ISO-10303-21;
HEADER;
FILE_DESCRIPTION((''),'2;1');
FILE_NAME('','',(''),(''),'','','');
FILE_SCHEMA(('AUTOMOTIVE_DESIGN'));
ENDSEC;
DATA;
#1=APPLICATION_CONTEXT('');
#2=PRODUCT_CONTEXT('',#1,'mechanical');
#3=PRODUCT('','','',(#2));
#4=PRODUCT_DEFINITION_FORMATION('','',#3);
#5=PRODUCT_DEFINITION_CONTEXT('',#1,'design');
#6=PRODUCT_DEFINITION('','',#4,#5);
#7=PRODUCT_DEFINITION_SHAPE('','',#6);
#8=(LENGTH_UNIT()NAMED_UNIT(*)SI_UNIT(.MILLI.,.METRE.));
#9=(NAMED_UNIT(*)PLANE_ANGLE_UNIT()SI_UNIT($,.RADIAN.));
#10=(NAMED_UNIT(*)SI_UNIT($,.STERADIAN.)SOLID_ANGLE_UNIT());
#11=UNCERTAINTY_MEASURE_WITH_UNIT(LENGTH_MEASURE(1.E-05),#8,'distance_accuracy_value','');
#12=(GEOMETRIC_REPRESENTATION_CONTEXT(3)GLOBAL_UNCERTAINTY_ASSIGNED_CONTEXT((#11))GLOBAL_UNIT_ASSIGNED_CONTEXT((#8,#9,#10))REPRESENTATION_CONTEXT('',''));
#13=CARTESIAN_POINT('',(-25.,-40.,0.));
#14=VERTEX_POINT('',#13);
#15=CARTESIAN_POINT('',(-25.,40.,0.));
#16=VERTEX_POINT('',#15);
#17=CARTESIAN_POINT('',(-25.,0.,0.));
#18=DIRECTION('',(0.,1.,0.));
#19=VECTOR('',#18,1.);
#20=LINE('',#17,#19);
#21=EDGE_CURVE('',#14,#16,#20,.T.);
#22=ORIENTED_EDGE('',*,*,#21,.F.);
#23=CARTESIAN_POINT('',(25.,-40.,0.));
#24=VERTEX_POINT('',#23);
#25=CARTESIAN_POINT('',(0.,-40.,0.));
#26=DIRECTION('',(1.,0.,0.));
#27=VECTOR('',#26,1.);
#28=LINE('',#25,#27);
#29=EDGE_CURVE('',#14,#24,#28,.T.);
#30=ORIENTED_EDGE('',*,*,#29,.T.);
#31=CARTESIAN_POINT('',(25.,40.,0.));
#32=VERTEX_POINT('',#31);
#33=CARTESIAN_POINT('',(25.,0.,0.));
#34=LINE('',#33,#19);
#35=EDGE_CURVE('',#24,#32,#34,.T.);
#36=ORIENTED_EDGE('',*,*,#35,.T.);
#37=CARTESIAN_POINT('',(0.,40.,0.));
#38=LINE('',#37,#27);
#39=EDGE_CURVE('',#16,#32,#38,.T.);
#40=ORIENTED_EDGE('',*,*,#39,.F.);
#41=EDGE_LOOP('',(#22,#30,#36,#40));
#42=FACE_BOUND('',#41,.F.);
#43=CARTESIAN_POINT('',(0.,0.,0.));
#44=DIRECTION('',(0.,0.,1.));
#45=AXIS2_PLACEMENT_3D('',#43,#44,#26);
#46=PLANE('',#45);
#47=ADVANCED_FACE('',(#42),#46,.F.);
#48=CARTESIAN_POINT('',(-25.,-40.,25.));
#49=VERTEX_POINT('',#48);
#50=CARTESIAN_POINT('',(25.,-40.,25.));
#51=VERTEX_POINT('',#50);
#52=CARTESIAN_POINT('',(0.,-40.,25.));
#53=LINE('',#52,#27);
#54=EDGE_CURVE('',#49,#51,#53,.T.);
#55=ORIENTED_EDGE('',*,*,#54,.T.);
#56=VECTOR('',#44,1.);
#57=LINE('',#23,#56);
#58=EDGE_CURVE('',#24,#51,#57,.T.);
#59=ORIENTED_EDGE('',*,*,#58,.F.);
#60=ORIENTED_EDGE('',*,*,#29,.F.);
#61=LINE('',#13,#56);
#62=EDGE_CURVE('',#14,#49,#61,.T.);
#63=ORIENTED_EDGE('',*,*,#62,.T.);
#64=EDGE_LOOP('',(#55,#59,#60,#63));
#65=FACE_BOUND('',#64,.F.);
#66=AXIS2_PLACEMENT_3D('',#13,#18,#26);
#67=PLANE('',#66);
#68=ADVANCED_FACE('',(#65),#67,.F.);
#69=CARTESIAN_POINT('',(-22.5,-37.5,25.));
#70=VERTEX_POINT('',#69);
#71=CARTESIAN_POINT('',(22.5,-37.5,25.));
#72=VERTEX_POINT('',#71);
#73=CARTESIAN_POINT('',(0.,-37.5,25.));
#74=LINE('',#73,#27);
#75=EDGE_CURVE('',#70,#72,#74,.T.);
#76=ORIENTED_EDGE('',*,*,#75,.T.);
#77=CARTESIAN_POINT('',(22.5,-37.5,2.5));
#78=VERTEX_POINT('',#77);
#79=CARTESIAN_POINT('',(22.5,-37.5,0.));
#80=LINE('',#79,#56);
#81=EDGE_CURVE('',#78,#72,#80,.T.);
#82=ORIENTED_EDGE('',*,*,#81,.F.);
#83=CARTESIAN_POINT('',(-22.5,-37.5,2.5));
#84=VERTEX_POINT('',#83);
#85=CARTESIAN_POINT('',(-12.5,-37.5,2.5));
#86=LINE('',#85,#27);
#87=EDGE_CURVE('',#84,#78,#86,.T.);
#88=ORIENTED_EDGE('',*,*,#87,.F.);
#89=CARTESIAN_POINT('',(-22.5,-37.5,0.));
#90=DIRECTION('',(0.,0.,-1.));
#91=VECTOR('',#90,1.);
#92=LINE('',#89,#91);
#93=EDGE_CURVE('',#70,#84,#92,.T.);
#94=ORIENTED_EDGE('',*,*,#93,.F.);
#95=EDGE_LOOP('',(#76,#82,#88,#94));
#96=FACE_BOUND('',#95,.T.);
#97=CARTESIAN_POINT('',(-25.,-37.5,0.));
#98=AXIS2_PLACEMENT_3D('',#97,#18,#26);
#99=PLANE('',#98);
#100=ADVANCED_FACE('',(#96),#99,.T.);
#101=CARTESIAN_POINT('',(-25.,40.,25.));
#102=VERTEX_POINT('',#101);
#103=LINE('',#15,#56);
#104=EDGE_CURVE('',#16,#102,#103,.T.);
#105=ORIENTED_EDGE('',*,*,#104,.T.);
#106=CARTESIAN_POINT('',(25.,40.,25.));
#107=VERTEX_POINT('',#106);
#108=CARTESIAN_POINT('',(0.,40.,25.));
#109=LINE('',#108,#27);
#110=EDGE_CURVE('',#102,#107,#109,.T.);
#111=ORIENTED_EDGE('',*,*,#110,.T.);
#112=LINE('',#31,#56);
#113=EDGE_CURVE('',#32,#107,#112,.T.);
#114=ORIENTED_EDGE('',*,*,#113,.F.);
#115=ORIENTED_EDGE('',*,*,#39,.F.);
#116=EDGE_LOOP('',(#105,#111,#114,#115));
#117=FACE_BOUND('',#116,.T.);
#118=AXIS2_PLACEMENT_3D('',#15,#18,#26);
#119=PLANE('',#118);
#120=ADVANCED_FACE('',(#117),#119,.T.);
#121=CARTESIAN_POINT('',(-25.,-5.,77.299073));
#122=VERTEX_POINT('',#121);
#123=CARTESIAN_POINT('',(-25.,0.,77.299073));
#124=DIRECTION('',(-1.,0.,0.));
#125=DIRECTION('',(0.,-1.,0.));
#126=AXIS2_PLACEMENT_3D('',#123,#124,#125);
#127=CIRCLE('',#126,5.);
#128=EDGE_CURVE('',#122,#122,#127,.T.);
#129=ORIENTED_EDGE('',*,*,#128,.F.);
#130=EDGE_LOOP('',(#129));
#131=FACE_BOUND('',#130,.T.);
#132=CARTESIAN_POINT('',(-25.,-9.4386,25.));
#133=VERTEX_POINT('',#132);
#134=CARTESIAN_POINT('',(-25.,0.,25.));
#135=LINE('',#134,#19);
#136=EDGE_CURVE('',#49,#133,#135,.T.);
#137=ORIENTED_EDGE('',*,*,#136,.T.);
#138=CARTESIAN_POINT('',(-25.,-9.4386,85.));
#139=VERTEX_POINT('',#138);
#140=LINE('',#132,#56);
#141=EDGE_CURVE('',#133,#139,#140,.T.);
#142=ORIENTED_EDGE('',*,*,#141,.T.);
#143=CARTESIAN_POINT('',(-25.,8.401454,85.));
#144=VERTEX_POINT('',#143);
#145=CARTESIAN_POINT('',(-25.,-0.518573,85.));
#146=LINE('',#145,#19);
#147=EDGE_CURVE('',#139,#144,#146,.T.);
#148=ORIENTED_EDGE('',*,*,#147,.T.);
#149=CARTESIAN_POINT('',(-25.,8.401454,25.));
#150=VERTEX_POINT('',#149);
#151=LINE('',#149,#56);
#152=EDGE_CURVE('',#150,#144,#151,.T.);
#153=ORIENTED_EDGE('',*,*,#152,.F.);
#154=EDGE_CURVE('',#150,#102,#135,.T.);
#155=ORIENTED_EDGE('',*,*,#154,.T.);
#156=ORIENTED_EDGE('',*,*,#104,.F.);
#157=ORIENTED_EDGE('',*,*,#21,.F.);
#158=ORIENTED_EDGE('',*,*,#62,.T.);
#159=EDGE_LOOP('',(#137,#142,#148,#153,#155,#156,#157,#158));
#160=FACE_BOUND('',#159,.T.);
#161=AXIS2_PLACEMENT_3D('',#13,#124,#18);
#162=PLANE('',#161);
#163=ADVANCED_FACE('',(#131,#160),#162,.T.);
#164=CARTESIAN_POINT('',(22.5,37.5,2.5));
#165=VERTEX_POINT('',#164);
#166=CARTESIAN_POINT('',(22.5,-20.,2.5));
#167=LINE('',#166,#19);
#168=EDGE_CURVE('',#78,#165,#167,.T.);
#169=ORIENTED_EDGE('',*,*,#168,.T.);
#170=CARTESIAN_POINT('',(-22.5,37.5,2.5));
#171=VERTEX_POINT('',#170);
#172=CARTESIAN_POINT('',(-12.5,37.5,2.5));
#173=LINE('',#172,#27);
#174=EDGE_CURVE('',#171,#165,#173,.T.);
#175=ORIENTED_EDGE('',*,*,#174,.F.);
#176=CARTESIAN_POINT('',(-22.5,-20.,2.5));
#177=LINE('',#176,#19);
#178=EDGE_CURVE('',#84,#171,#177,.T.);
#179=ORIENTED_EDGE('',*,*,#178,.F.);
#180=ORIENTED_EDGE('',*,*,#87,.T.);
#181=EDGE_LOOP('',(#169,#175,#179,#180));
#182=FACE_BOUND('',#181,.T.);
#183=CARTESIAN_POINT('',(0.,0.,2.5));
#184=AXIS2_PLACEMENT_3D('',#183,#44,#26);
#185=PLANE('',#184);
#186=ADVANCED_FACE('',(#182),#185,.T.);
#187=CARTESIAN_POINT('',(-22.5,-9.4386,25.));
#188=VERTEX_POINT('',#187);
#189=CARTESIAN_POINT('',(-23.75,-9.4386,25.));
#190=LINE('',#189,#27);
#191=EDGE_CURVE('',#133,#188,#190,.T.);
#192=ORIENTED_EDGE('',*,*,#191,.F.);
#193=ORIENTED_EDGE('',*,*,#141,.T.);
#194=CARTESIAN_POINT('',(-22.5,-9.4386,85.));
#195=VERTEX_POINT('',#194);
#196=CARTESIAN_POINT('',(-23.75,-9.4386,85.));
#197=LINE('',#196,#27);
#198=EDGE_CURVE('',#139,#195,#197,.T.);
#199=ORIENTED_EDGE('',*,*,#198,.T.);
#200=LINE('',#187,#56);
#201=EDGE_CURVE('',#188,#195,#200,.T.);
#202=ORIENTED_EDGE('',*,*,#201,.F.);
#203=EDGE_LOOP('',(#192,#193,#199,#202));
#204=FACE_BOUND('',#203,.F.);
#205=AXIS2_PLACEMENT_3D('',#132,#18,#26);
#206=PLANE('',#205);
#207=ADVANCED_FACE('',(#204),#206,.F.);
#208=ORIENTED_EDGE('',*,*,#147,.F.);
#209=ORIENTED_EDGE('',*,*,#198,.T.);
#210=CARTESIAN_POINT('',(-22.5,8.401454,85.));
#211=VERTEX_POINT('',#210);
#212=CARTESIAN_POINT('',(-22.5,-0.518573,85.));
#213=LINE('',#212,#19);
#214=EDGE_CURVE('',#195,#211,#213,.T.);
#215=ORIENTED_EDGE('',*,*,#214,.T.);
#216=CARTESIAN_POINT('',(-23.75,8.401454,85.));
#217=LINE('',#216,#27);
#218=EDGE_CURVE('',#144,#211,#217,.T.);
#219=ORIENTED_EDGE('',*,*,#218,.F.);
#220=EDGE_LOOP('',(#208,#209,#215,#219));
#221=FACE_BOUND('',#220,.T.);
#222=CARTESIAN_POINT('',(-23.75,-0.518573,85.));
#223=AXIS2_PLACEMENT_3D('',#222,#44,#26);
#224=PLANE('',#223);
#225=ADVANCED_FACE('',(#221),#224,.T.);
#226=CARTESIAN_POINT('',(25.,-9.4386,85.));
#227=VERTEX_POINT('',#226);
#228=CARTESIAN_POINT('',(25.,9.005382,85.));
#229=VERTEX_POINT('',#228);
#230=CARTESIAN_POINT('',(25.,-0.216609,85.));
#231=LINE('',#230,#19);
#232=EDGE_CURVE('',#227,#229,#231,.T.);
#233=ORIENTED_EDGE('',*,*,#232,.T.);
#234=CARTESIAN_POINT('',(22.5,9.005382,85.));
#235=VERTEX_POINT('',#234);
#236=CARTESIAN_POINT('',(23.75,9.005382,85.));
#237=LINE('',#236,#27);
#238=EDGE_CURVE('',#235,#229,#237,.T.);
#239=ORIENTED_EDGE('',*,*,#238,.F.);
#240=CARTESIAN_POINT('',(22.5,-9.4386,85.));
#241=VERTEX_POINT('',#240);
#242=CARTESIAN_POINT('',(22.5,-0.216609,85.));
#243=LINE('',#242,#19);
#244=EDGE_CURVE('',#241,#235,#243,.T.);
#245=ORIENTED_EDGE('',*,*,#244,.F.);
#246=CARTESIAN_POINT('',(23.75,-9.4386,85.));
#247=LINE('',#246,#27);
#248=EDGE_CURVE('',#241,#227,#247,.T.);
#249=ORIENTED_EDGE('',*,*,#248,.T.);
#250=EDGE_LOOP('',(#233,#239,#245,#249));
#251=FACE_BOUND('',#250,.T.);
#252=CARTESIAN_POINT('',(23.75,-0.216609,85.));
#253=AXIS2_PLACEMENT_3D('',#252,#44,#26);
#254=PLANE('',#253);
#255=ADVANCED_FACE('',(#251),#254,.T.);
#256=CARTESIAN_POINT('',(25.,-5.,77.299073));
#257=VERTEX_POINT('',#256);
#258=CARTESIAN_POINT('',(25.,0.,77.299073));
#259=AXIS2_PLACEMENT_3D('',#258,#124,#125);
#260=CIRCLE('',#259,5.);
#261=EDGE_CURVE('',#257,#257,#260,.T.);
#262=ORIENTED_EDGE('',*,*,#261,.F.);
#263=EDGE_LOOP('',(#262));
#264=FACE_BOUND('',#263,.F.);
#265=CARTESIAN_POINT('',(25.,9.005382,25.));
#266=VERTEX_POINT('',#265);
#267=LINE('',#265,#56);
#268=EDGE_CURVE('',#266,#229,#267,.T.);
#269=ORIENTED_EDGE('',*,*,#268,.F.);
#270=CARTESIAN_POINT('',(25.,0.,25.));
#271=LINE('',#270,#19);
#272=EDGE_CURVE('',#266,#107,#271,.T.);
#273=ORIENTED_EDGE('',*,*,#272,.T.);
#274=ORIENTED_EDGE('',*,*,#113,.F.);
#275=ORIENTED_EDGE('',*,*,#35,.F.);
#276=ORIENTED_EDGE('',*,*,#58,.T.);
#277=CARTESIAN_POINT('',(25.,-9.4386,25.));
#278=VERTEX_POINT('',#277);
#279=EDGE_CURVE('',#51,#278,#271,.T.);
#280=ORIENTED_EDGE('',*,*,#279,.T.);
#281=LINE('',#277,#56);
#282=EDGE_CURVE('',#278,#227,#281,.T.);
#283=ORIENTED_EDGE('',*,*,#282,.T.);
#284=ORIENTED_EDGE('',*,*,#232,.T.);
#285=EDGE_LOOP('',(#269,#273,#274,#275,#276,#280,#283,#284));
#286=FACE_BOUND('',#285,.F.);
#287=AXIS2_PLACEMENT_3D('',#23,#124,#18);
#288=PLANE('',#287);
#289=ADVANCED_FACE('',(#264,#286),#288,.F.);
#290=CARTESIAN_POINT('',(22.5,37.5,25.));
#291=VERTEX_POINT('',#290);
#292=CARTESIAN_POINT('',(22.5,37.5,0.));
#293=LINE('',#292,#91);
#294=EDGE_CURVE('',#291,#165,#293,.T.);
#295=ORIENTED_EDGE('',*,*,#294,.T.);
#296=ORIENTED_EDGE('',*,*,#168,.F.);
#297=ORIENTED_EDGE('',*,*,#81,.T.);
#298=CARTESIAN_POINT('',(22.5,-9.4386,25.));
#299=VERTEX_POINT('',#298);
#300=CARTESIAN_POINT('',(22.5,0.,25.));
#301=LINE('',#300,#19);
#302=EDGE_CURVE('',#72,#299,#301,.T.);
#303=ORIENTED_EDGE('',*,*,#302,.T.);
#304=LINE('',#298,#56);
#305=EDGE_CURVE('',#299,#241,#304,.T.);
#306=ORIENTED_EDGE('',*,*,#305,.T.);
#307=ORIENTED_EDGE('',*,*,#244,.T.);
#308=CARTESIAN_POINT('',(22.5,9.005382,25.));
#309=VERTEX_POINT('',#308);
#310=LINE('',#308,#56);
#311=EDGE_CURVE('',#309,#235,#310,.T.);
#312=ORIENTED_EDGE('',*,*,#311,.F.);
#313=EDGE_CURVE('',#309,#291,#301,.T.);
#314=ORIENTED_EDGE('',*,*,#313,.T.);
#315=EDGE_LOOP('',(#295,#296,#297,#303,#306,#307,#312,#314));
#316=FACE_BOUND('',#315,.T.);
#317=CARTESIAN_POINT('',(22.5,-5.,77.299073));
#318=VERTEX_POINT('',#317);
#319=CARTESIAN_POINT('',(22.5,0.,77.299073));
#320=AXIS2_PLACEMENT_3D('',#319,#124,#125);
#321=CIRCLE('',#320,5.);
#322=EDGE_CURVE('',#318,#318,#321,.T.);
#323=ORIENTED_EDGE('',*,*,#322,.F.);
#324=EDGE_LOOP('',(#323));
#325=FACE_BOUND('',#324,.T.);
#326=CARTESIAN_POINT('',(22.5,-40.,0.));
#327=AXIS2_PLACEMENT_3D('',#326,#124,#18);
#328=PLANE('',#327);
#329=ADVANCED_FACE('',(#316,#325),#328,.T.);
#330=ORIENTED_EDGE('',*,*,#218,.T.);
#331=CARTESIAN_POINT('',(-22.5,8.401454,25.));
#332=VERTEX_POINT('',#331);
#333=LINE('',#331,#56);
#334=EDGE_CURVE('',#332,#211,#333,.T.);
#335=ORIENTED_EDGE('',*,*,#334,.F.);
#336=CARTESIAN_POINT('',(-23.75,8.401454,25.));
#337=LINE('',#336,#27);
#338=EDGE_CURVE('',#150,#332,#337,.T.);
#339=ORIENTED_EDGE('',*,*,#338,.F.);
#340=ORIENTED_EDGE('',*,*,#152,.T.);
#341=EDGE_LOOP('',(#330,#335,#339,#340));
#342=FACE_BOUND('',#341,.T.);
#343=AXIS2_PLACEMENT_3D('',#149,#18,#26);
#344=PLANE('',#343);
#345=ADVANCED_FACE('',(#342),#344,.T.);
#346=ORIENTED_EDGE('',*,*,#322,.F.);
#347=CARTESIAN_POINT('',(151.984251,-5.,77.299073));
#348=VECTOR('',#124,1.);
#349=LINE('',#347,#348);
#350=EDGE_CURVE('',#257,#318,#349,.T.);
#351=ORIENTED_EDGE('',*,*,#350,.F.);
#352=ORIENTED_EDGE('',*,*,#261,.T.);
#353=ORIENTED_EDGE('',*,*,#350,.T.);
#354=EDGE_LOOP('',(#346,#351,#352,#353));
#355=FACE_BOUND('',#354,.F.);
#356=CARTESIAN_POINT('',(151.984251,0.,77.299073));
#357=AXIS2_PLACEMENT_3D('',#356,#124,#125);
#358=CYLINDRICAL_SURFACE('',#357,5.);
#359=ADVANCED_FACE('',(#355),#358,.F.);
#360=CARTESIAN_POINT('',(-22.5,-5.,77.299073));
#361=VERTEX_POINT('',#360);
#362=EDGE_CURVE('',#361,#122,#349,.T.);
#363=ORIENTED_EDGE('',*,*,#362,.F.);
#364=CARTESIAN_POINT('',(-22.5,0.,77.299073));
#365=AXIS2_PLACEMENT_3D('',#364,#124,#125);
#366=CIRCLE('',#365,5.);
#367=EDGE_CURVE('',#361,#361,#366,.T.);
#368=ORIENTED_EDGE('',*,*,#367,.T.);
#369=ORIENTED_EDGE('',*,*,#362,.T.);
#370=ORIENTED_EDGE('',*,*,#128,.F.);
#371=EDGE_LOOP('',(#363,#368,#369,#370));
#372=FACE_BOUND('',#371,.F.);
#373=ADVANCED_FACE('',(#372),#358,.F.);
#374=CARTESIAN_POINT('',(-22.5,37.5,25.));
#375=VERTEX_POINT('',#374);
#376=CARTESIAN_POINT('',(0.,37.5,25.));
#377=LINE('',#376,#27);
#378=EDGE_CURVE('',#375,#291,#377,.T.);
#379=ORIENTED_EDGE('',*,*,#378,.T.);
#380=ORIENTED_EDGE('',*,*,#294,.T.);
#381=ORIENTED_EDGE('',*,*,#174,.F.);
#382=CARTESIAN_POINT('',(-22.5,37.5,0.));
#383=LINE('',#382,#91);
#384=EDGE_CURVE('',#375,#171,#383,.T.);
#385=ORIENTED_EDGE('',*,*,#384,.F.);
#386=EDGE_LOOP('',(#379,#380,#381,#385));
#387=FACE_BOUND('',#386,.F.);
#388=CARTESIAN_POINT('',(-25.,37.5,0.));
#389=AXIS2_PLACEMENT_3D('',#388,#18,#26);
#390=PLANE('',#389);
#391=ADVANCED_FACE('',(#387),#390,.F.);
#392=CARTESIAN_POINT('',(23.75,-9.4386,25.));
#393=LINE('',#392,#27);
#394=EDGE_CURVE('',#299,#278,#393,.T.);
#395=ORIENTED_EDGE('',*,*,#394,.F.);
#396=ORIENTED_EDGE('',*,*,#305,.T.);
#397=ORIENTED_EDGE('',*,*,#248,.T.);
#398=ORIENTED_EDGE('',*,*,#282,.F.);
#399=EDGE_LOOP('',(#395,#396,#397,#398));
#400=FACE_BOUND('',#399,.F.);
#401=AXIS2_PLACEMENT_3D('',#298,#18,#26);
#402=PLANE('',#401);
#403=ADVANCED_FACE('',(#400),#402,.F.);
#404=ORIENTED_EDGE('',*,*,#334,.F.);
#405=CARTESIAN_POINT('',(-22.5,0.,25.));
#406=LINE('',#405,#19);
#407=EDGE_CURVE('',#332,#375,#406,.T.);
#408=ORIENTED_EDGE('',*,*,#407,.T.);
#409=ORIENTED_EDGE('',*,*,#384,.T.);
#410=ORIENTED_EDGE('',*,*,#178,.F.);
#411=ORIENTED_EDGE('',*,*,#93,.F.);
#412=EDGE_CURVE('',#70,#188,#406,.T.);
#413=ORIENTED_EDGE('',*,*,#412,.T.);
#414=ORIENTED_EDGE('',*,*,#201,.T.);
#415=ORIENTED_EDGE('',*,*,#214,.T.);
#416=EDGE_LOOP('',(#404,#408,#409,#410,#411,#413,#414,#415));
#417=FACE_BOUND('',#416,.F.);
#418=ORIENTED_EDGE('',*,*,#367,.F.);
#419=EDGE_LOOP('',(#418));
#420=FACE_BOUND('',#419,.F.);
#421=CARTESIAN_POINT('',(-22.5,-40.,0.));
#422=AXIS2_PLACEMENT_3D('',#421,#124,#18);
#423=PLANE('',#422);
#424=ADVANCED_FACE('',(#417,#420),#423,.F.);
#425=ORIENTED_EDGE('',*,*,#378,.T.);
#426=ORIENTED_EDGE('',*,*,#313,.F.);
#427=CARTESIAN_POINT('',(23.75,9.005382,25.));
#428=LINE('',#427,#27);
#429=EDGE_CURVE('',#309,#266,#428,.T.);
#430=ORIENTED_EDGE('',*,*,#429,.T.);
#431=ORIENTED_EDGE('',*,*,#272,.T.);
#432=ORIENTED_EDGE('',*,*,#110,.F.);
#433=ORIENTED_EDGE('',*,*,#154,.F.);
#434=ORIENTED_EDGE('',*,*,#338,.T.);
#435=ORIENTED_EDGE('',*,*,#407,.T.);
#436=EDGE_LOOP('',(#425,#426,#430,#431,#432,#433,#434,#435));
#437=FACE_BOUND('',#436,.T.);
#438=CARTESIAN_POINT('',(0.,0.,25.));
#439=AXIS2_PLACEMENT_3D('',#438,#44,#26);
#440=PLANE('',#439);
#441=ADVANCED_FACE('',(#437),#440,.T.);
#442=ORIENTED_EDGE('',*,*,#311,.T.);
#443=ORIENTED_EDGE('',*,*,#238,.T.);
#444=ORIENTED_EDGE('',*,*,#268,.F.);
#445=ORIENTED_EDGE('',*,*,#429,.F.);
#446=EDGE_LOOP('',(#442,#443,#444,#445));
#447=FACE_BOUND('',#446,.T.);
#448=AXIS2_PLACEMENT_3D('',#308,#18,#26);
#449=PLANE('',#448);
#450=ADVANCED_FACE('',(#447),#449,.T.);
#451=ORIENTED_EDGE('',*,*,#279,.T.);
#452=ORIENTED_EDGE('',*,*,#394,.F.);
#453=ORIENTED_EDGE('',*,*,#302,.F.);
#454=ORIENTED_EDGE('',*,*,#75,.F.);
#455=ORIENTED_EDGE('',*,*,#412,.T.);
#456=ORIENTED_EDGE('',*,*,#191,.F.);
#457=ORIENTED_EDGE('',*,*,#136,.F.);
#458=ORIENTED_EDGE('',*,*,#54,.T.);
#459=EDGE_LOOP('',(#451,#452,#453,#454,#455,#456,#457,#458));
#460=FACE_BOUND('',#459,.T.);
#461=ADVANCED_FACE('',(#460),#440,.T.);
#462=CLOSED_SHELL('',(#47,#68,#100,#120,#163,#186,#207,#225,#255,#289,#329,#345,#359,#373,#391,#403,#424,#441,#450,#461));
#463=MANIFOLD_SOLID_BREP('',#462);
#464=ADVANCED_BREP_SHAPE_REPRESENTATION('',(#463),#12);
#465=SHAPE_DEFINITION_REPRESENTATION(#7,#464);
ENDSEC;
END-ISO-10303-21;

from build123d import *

# Parameters (mm, degrees)
F0_W     = 50
F0_H     = 80
F1_DEPTH = 25
F2_T     = -2.5
F3_W     = 2.5
F3_H     = 17.840053
F3_H_2   = 18.443981
F4_DEPTH = 60
F6_D     = 10


with BuildPart() as f1:
    # F0 (on Top) → F1 (new body)
    with BuildSketch(Plane.XY):
        Rectangle(F0_W, F0_H)
    extrude(amount=F1_DEPTH)

    # F2
    f2_openings = [f1.faces().sort_by_distance(p)[0] for p in [
        (0, 0, 25),
    ]]
    offset(amount=F2_T, openings=f2_openings)

    # F3 (on face) → F4 (join)
    with BuildSketch(Plane.XY.offset(25)):
        with Locations((-23.75, -0.518573)):
            Rectangle(F3_W, F3_H)
        with Locations((23.75, -0.216609)):
            Rectangle(F3_W, F3_H_2)
    extrude(amount=F4_DEPTH)

    # F6 (through all)
    with Locations(Plane.YZ.offset(25)):
        with Locations((0, 77.299073)):
            Hole(F6_D / 2)


solid = f1.part
